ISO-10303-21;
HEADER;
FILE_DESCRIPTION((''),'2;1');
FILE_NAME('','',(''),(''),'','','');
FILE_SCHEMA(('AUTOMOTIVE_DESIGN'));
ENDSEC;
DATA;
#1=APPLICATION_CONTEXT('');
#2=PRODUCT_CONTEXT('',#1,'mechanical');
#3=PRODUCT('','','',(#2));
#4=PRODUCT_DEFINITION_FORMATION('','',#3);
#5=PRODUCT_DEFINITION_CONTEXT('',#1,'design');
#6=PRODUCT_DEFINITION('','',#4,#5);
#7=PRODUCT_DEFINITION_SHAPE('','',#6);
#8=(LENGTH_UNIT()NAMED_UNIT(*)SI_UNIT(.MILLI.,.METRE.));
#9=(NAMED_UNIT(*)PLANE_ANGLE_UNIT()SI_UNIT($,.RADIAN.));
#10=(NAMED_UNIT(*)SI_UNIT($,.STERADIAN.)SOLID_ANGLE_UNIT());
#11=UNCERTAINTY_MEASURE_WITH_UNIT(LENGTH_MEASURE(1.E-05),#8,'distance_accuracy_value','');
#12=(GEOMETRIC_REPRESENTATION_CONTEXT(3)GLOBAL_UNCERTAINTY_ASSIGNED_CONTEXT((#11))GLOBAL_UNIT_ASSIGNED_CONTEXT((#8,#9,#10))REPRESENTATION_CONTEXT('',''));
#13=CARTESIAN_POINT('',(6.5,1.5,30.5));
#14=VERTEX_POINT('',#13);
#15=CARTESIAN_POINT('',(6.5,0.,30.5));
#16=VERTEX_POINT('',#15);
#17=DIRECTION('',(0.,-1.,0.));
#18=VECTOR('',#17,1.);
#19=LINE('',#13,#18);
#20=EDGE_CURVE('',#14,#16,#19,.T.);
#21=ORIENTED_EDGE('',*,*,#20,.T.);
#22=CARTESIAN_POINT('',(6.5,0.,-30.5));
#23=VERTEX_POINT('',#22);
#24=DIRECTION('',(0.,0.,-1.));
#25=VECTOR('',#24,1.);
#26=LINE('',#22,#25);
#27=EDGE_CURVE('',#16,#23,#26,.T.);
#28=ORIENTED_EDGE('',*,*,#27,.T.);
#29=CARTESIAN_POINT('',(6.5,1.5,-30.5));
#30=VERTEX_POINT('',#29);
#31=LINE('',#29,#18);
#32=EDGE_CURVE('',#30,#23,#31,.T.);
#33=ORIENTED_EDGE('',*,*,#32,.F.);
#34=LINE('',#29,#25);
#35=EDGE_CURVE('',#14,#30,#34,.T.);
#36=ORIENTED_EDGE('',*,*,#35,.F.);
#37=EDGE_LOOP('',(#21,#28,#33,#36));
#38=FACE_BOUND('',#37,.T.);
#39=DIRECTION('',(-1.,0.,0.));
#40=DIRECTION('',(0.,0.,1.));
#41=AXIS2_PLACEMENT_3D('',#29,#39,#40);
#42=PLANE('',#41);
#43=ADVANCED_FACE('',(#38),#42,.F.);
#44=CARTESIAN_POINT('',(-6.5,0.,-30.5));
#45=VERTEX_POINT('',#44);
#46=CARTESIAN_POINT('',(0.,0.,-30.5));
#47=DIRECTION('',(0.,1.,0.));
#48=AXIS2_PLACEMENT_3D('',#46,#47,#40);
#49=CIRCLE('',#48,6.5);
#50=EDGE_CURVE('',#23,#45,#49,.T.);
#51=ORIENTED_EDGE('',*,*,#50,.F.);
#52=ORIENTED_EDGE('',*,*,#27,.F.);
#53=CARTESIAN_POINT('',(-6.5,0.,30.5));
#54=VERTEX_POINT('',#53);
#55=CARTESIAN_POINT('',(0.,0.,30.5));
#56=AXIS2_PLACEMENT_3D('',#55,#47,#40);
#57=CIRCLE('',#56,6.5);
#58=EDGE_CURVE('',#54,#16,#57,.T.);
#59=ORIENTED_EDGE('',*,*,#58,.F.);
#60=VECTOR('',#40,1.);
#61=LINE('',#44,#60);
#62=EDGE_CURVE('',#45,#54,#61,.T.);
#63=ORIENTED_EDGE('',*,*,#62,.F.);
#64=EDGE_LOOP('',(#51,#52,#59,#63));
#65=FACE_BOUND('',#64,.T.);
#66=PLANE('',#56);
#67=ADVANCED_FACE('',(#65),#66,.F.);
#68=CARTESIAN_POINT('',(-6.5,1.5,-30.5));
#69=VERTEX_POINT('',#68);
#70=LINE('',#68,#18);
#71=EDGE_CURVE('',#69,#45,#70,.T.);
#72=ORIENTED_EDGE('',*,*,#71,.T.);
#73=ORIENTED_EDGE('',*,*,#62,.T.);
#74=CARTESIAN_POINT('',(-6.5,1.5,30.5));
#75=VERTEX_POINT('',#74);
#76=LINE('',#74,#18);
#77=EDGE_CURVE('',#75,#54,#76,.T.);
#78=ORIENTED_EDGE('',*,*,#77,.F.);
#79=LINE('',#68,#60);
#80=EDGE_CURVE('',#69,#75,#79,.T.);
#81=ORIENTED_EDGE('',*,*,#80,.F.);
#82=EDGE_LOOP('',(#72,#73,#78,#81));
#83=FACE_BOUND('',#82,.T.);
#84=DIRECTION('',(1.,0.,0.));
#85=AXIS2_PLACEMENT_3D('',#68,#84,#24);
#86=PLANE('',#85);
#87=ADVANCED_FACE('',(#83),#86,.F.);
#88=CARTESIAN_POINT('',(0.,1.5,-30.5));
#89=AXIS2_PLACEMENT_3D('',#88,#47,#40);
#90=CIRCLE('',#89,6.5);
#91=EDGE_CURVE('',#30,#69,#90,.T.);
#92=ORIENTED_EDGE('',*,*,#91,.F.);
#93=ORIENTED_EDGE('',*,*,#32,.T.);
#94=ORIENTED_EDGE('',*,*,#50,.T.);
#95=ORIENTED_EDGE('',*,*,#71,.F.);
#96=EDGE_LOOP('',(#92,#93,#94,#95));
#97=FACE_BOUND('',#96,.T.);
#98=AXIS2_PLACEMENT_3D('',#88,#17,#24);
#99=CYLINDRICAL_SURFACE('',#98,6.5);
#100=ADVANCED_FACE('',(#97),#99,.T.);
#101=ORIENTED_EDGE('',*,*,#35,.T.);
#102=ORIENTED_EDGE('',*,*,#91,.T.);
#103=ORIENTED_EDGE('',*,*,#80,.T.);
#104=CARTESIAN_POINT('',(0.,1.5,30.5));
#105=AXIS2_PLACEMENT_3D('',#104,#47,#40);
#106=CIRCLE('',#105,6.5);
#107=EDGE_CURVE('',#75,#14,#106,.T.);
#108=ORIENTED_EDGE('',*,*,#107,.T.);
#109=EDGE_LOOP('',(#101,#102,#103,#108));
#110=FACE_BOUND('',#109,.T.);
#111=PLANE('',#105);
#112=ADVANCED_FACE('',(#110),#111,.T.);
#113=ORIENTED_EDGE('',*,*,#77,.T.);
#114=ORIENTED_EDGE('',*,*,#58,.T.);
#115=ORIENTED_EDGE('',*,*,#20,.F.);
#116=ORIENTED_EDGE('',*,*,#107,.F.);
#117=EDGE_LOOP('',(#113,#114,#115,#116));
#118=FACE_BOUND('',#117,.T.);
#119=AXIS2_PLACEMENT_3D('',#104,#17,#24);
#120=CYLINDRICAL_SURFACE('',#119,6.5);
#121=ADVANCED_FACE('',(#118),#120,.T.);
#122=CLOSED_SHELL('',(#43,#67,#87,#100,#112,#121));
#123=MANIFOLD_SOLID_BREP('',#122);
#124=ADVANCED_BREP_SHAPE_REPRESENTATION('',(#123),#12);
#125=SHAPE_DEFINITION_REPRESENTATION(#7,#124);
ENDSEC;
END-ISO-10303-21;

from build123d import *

# Parameters (mm, degrees)
EXTRUDE_1_DEPTH = 1.5


with BuildPart() as part:
    # 草图1 → 凸台-拉伸1 (new body)
    with BuildSketch(Plane(origin=(0, 0, 0), x_dir=(1, 0, 0), z_dir=(0, 1, 0))):
        with BuildLine():
            Line((-6.5, 30.5), (-6.5, -30.5))
            ThreePointArc((-6.5, -30.5), (0, -37), (6.5, -30.5))
            Line((6.5, -30.5), (6.5, 30.5))
            ThreePointArc((6.5, 30.5), (0, 37), (-6.5, 30.5))
        make_face()
    extrude(amount=EXTRUDE_1_DEPTH)


solid = part.part
